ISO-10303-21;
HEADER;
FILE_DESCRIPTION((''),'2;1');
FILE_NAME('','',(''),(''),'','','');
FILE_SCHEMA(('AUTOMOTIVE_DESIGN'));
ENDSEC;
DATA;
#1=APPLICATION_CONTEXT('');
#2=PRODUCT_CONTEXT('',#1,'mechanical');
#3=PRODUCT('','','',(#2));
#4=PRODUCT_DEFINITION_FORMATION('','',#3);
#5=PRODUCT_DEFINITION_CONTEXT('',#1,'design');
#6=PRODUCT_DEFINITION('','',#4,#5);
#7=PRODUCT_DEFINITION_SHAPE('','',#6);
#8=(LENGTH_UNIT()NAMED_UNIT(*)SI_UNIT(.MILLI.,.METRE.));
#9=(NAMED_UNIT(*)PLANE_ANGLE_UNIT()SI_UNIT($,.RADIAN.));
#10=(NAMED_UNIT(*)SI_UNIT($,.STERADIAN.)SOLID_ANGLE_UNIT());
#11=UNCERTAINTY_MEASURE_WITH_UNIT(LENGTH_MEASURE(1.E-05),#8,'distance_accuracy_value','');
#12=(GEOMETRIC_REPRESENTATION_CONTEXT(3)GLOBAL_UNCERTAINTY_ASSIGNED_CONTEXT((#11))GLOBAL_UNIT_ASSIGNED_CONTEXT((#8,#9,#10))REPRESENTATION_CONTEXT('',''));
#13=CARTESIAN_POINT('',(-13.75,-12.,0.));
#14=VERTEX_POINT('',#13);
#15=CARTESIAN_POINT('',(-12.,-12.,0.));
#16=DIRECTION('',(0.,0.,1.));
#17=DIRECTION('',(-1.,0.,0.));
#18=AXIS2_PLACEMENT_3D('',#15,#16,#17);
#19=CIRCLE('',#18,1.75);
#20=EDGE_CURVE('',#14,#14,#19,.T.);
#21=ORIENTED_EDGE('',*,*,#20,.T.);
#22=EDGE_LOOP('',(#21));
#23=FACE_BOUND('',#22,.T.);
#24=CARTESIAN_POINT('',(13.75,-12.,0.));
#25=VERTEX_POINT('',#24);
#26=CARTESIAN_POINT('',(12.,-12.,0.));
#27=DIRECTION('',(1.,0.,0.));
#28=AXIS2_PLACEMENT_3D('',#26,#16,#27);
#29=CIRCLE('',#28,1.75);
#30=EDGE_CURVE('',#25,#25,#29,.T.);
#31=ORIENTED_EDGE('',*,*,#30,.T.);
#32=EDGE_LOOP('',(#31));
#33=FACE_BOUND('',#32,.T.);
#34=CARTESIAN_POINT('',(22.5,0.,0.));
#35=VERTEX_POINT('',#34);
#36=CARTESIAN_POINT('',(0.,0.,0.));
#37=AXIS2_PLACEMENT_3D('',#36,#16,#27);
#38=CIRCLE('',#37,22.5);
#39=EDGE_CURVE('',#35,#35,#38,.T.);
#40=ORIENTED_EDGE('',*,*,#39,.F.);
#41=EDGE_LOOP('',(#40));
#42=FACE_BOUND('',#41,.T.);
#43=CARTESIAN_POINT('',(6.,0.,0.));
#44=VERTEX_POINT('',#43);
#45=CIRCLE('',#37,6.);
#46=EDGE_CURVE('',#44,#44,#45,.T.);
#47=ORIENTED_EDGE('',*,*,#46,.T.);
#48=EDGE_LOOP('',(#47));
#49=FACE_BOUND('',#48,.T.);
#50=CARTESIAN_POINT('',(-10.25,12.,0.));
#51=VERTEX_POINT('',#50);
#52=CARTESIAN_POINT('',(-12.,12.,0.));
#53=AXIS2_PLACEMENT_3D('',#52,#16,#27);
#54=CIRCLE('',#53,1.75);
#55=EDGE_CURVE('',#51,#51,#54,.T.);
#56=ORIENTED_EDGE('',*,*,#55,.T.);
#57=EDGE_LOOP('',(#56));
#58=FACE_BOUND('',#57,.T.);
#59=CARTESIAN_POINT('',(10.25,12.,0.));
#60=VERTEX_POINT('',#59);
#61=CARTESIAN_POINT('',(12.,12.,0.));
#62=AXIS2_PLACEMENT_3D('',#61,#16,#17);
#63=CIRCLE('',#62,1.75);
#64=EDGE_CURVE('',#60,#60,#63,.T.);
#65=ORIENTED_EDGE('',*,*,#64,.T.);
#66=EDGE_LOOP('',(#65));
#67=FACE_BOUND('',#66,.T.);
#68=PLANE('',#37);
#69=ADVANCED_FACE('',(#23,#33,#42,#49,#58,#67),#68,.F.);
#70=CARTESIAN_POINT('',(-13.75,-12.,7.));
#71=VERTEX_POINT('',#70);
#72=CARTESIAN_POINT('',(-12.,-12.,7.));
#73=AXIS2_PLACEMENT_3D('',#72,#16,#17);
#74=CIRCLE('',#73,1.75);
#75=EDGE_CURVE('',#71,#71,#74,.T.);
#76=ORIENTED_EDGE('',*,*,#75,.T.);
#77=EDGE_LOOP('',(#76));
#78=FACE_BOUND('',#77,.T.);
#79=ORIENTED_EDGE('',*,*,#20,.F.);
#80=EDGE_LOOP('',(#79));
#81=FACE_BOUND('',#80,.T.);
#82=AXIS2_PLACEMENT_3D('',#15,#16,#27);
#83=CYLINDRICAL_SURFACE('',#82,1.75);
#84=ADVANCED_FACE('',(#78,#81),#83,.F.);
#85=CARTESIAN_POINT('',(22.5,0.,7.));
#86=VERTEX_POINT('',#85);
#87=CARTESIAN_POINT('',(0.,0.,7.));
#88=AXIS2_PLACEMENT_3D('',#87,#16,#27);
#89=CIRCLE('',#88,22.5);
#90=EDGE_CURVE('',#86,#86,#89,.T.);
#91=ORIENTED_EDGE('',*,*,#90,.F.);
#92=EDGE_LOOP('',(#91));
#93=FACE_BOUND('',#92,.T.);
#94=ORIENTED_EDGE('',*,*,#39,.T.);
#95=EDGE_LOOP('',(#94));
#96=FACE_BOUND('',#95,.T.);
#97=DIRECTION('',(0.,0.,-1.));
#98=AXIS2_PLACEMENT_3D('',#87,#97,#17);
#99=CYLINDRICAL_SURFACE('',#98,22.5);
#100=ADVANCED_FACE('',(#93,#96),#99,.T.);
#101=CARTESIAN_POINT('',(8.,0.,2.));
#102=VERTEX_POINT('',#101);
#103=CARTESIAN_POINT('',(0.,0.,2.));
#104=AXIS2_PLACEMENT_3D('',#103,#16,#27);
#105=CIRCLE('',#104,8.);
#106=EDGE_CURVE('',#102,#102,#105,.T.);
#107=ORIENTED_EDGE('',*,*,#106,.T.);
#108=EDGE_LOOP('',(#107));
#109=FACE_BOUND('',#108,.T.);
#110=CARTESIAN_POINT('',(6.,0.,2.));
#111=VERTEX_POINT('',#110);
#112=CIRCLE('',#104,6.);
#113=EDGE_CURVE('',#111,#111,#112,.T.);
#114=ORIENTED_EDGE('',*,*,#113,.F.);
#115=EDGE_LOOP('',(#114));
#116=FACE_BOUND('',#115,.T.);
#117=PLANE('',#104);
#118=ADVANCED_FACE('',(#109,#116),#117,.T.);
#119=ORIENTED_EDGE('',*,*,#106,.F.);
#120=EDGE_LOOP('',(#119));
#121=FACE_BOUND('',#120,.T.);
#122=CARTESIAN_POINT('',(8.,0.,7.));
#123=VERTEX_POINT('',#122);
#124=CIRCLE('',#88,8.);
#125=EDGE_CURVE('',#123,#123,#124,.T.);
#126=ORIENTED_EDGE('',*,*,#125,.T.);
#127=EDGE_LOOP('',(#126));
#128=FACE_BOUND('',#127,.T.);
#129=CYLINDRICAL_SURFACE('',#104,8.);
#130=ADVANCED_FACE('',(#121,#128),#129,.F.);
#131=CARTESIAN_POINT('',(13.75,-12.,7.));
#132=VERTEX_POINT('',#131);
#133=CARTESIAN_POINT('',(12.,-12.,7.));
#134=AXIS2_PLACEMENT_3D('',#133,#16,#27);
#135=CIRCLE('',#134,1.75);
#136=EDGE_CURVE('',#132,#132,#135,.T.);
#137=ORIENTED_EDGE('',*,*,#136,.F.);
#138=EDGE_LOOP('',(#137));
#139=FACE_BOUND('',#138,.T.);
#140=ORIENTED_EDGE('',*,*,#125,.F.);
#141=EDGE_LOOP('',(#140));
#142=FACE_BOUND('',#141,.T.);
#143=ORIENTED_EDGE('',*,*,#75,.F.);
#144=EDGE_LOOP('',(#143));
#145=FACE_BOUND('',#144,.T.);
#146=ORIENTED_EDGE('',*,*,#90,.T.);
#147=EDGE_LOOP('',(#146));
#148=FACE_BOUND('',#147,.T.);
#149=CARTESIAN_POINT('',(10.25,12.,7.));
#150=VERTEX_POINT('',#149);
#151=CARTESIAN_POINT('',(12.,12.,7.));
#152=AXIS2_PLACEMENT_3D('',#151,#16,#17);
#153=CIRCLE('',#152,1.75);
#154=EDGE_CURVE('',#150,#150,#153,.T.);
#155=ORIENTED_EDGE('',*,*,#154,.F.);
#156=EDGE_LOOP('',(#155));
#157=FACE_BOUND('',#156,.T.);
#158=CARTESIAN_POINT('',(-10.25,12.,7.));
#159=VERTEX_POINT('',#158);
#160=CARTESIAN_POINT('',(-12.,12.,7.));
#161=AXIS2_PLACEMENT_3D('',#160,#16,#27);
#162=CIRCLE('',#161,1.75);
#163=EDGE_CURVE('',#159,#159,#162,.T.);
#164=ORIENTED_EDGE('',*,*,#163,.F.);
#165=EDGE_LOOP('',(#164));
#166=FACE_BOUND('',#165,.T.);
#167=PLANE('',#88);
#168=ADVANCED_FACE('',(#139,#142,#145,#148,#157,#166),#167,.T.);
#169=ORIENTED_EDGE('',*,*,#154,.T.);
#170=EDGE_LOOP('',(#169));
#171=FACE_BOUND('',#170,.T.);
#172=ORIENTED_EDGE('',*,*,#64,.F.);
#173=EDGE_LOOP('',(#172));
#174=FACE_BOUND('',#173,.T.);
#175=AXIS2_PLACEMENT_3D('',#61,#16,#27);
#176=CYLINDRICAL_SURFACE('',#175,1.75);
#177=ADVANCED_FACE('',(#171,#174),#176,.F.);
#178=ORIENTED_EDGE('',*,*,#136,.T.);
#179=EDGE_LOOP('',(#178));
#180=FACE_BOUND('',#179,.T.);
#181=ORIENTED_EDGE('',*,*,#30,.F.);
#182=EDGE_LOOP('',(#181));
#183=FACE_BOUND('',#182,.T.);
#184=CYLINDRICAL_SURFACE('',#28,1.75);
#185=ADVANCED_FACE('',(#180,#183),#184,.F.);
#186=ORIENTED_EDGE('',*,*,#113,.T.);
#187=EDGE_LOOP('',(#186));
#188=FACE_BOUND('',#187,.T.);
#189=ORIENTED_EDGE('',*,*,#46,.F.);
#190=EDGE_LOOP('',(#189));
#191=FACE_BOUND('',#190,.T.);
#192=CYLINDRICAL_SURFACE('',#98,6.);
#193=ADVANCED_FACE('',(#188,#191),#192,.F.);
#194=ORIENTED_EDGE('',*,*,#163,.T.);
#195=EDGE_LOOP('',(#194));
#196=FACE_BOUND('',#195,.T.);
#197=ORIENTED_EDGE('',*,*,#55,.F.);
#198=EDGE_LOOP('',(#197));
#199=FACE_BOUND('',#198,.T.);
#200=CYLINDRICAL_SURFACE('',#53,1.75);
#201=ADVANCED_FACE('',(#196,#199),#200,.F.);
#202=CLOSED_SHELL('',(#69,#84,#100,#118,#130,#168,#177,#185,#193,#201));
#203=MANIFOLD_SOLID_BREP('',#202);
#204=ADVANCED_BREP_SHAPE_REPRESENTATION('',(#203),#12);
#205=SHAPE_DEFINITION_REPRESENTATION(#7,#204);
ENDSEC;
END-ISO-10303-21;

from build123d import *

# Parameters (mm, degrees)
SKETCH1_R           = 22.5
SKETCH1_R_2         = 6
BOSS_EXTRUDE1_DEPTH = 7
SKETCH2_R           = 8
CUT_EXTRUDE1_DEPTH  = 5
SKETCH3_R           = 1.75
CUT_EXTRUDE2_DEPTH  = 33.580669115


with BuildPart() as part:
    # Sketch1 → Boss-Extrude1 (new body)
    with BuildSketch(Plane.XY):
        Circle(SKETCH1_R)
        Circle(SKETCH1_R_2, mode=Mode.SUBTRACT)
    extrude(amount=BOSS_EXTRUDE1_DEPTH)

    # Sketch2 → Cut-Extrude1 (cut)
    with BuildSketch(Plane.XY.offset(7)):
        Circle(SKETCH2_R)
    extrude(amount=-CUT_EXTRUDE1_DEPTH, mode=Mode.SUBTRACT)

    # Sketch3 → Cut-Extrude2 (cut, through all)
    with BuildSketch(Plane.XY.offset(7)):
        with Locations((-12, 12)):
            Circle(SKETCH3_R)
        with Locations(Location((12, 12, 0), (0, 0, 180))):
            Circle(SKETCH3_R)
        with Locations((12, -12)):
            Circle(SKETCH3_R)
        with Locations(Location((-12, -12, 0), (0, 0, 180))):
            Circle(SKETCH3_R)
    extrude(amount=-CUT_EXTRUDE2_DEPTH, mode=Mode.SUBTRACT)


solid = part.part
